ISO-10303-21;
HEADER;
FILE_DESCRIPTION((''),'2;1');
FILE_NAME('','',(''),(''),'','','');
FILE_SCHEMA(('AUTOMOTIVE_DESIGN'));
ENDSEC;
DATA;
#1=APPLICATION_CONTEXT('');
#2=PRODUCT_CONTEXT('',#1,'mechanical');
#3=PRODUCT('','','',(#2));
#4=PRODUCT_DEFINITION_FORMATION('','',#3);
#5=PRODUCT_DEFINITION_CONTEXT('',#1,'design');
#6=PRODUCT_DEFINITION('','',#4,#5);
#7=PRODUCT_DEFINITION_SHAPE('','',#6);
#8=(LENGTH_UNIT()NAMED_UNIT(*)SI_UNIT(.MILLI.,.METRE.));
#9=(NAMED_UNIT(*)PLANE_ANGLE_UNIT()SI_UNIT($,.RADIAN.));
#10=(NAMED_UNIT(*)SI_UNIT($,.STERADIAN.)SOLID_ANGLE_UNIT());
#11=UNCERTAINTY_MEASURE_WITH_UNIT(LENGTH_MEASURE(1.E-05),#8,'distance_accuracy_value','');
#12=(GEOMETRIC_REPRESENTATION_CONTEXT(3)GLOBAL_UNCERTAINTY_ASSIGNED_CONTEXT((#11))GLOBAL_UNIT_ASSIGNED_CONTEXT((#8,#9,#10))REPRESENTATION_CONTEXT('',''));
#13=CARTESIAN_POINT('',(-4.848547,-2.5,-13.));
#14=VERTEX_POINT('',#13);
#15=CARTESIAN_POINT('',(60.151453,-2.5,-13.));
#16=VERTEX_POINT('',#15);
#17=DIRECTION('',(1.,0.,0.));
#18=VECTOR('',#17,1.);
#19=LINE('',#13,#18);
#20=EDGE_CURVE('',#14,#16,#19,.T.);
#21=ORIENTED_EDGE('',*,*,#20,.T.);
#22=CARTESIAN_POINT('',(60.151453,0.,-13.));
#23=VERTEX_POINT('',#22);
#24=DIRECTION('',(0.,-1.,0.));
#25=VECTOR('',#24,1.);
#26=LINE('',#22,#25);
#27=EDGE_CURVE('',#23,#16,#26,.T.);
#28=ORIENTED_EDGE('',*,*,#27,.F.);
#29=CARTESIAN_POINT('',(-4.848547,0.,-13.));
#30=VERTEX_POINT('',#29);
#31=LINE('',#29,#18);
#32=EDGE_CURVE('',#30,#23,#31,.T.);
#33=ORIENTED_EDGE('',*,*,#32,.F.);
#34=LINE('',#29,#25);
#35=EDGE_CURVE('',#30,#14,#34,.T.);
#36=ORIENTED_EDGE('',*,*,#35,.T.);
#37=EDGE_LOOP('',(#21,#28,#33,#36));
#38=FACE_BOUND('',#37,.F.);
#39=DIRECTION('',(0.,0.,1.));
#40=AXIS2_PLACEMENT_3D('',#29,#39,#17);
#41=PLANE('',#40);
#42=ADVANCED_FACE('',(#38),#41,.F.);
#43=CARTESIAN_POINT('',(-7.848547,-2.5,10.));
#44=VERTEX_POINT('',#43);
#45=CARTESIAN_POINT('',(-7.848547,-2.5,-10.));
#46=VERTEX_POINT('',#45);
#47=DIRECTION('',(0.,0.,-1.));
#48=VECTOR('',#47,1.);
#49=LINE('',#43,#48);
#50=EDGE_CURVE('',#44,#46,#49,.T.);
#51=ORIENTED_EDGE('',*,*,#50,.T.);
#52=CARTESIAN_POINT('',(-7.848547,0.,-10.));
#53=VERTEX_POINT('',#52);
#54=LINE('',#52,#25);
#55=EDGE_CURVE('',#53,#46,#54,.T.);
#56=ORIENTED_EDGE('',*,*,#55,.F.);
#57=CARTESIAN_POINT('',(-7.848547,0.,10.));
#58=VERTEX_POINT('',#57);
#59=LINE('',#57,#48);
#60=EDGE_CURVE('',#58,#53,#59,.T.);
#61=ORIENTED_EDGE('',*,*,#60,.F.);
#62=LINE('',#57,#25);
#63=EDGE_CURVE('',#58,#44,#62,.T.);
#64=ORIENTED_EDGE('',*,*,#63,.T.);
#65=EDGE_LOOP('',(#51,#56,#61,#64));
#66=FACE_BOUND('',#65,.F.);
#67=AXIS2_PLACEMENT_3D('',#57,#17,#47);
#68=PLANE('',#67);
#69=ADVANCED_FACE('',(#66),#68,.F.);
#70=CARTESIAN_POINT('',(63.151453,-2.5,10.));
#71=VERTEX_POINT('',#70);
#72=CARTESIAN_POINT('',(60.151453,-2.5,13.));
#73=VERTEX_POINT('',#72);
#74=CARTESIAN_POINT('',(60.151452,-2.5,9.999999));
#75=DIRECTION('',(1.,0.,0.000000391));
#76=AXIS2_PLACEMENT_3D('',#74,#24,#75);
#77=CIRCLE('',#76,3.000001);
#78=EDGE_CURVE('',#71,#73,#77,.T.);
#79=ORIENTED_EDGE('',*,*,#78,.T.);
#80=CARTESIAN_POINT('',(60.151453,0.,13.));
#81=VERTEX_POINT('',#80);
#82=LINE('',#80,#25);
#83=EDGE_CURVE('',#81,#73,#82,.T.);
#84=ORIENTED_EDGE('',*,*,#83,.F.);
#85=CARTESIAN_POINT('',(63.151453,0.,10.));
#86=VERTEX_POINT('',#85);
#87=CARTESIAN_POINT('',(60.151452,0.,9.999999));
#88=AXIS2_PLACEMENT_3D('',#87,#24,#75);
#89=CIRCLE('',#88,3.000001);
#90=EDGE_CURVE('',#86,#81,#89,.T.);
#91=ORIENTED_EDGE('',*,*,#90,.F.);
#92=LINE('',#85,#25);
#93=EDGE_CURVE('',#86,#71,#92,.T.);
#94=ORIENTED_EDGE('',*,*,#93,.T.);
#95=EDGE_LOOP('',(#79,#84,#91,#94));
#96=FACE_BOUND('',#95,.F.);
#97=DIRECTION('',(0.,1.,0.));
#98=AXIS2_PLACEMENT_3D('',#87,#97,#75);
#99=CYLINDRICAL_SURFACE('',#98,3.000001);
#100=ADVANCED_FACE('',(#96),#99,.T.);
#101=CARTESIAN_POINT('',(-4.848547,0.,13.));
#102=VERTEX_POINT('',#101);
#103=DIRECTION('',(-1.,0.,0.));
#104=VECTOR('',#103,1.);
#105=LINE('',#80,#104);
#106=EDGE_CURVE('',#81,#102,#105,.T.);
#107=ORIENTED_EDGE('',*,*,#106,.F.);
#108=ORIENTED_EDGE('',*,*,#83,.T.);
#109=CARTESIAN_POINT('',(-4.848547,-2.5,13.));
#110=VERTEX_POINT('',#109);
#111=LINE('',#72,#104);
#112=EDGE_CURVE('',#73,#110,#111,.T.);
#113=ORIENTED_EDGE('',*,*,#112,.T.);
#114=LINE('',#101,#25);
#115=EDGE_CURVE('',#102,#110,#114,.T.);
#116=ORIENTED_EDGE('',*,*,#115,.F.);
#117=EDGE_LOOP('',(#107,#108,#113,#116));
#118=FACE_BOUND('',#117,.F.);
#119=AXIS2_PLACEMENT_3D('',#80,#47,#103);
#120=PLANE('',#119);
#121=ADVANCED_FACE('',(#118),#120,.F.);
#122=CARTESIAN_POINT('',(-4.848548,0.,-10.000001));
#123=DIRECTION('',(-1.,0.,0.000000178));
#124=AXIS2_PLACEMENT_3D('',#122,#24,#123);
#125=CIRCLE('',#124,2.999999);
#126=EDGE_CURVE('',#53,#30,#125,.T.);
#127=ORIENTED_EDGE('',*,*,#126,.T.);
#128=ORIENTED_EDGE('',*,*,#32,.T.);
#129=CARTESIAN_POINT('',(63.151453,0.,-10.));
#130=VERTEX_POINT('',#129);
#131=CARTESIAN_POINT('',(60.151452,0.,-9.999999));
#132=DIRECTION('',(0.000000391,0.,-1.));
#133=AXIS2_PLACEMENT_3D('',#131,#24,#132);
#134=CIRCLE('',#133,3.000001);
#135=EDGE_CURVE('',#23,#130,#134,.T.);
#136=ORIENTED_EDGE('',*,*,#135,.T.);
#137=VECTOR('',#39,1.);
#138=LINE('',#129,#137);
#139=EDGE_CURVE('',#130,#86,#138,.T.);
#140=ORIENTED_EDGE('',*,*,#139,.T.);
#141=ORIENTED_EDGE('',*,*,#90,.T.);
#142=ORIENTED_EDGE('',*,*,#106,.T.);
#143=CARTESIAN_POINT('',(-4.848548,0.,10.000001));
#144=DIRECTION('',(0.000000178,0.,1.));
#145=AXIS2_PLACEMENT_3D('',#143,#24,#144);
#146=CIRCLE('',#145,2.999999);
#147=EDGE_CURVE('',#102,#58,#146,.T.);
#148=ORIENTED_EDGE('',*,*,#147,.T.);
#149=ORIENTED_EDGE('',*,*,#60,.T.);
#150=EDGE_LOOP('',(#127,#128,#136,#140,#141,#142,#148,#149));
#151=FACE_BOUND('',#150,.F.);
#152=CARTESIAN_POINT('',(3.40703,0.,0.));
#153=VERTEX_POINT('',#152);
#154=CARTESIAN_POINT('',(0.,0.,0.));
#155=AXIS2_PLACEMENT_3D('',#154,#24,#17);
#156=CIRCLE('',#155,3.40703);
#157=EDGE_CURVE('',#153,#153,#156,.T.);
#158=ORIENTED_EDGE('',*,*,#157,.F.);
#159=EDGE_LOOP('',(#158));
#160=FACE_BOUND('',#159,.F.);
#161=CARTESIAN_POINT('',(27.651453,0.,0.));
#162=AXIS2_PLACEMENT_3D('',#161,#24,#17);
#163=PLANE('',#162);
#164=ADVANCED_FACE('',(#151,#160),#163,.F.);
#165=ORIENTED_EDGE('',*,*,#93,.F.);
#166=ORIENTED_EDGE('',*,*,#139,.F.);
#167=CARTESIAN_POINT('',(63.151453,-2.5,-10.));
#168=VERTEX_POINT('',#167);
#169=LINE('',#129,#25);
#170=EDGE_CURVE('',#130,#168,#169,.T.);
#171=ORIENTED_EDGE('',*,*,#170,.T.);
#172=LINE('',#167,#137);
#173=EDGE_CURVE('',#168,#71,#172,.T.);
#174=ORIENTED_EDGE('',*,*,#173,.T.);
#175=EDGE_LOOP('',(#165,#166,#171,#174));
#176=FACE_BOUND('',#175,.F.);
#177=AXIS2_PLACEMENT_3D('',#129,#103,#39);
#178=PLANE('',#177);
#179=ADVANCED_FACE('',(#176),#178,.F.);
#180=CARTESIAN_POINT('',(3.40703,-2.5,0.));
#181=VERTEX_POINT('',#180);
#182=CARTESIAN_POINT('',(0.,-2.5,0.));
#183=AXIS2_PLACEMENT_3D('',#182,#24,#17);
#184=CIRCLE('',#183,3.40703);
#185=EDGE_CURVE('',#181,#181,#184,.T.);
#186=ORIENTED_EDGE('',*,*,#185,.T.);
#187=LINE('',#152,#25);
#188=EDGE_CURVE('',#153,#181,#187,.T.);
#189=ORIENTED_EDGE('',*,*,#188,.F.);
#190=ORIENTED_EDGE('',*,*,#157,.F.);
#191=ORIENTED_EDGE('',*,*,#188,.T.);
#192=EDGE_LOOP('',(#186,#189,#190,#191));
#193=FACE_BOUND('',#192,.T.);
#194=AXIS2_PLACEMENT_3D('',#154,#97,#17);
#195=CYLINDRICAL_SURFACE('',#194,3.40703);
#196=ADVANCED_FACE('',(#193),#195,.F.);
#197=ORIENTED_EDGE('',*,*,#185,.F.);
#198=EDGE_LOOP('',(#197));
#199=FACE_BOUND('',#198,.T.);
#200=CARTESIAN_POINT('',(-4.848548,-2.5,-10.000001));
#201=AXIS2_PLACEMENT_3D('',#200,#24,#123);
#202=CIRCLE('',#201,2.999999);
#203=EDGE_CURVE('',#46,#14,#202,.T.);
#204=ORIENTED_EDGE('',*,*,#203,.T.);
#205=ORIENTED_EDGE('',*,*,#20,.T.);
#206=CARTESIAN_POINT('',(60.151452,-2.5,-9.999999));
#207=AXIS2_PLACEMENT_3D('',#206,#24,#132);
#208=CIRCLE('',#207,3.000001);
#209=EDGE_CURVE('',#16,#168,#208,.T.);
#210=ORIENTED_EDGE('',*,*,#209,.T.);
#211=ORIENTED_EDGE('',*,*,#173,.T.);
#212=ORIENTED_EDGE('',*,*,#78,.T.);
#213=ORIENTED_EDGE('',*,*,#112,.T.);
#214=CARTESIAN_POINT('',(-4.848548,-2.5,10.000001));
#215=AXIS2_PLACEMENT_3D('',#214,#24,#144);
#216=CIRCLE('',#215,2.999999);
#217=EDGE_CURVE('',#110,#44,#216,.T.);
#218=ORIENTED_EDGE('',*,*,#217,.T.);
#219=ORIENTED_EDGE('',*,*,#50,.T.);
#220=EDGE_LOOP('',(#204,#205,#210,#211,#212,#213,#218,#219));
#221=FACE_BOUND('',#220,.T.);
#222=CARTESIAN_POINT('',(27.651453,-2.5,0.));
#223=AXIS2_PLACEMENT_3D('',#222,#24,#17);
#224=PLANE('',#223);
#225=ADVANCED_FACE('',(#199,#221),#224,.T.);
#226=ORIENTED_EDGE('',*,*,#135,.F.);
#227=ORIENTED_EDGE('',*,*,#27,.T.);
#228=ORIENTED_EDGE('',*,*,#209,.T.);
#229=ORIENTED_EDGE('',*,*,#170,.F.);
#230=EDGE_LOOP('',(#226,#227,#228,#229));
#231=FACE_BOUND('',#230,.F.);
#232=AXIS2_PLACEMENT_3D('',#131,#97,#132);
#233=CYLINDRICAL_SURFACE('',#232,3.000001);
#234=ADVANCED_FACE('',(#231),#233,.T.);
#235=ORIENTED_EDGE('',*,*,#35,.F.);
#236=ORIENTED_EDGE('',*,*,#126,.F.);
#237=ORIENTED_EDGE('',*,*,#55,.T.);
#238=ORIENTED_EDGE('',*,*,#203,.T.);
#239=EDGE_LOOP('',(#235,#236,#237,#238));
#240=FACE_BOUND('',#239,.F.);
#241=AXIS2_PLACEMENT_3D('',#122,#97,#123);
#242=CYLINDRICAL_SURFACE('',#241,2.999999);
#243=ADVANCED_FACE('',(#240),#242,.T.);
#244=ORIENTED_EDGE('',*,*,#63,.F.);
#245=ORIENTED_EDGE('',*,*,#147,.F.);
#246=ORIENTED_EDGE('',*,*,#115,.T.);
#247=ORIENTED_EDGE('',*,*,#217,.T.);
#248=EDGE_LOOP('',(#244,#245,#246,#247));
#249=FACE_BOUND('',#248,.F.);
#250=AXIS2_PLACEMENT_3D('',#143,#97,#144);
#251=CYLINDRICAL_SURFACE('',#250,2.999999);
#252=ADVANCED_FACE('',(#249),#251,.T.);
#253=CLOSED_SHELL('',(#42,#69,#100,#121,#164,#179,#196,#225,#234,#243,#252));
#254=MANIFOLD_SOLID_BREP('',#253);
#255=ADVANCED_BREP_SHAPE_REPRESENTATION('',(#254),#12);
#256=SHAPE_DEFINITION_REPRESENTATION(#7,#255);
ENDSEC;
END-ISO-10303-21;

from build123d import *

# Parameters (mm, degrees)
F0_R     = 3.40703
F1_DEPTH = 2.5


with BuildPart() as f1:
    # F0 (on Front) → F1 (new body)
    with BuildSketch(Plane.XZ):
        with BuildLine():
            Line((60.151453, 13), (-4.848547, 13))
            ThreePointArc((-4.848547, 13), (-6.969868, 12.12132), (-7.848547, 10))
            Line((-7.848547, 10), (-7.848547, -10))
            ThreePointArc((-7.848547, -10), (-6.969868, -12.12132), (-4.848547, -13))
            Line((-4.848547, -13), (60.151453, -13))
            ThreePointArc((60.151453, -13), (62.272773, -12.12132), (63.151453, -10))
            Line((63.151453, -10), (63.151453, 10))
            ThreePointArc((63.151453, 10), (62.272773, 12.12132), (60.151453, 13))
        make_face()
        Circle(F0_R, mode=Mode.SUBTRACT)
    extrude(amount=F1_DEPTH)


solid = f1.part
